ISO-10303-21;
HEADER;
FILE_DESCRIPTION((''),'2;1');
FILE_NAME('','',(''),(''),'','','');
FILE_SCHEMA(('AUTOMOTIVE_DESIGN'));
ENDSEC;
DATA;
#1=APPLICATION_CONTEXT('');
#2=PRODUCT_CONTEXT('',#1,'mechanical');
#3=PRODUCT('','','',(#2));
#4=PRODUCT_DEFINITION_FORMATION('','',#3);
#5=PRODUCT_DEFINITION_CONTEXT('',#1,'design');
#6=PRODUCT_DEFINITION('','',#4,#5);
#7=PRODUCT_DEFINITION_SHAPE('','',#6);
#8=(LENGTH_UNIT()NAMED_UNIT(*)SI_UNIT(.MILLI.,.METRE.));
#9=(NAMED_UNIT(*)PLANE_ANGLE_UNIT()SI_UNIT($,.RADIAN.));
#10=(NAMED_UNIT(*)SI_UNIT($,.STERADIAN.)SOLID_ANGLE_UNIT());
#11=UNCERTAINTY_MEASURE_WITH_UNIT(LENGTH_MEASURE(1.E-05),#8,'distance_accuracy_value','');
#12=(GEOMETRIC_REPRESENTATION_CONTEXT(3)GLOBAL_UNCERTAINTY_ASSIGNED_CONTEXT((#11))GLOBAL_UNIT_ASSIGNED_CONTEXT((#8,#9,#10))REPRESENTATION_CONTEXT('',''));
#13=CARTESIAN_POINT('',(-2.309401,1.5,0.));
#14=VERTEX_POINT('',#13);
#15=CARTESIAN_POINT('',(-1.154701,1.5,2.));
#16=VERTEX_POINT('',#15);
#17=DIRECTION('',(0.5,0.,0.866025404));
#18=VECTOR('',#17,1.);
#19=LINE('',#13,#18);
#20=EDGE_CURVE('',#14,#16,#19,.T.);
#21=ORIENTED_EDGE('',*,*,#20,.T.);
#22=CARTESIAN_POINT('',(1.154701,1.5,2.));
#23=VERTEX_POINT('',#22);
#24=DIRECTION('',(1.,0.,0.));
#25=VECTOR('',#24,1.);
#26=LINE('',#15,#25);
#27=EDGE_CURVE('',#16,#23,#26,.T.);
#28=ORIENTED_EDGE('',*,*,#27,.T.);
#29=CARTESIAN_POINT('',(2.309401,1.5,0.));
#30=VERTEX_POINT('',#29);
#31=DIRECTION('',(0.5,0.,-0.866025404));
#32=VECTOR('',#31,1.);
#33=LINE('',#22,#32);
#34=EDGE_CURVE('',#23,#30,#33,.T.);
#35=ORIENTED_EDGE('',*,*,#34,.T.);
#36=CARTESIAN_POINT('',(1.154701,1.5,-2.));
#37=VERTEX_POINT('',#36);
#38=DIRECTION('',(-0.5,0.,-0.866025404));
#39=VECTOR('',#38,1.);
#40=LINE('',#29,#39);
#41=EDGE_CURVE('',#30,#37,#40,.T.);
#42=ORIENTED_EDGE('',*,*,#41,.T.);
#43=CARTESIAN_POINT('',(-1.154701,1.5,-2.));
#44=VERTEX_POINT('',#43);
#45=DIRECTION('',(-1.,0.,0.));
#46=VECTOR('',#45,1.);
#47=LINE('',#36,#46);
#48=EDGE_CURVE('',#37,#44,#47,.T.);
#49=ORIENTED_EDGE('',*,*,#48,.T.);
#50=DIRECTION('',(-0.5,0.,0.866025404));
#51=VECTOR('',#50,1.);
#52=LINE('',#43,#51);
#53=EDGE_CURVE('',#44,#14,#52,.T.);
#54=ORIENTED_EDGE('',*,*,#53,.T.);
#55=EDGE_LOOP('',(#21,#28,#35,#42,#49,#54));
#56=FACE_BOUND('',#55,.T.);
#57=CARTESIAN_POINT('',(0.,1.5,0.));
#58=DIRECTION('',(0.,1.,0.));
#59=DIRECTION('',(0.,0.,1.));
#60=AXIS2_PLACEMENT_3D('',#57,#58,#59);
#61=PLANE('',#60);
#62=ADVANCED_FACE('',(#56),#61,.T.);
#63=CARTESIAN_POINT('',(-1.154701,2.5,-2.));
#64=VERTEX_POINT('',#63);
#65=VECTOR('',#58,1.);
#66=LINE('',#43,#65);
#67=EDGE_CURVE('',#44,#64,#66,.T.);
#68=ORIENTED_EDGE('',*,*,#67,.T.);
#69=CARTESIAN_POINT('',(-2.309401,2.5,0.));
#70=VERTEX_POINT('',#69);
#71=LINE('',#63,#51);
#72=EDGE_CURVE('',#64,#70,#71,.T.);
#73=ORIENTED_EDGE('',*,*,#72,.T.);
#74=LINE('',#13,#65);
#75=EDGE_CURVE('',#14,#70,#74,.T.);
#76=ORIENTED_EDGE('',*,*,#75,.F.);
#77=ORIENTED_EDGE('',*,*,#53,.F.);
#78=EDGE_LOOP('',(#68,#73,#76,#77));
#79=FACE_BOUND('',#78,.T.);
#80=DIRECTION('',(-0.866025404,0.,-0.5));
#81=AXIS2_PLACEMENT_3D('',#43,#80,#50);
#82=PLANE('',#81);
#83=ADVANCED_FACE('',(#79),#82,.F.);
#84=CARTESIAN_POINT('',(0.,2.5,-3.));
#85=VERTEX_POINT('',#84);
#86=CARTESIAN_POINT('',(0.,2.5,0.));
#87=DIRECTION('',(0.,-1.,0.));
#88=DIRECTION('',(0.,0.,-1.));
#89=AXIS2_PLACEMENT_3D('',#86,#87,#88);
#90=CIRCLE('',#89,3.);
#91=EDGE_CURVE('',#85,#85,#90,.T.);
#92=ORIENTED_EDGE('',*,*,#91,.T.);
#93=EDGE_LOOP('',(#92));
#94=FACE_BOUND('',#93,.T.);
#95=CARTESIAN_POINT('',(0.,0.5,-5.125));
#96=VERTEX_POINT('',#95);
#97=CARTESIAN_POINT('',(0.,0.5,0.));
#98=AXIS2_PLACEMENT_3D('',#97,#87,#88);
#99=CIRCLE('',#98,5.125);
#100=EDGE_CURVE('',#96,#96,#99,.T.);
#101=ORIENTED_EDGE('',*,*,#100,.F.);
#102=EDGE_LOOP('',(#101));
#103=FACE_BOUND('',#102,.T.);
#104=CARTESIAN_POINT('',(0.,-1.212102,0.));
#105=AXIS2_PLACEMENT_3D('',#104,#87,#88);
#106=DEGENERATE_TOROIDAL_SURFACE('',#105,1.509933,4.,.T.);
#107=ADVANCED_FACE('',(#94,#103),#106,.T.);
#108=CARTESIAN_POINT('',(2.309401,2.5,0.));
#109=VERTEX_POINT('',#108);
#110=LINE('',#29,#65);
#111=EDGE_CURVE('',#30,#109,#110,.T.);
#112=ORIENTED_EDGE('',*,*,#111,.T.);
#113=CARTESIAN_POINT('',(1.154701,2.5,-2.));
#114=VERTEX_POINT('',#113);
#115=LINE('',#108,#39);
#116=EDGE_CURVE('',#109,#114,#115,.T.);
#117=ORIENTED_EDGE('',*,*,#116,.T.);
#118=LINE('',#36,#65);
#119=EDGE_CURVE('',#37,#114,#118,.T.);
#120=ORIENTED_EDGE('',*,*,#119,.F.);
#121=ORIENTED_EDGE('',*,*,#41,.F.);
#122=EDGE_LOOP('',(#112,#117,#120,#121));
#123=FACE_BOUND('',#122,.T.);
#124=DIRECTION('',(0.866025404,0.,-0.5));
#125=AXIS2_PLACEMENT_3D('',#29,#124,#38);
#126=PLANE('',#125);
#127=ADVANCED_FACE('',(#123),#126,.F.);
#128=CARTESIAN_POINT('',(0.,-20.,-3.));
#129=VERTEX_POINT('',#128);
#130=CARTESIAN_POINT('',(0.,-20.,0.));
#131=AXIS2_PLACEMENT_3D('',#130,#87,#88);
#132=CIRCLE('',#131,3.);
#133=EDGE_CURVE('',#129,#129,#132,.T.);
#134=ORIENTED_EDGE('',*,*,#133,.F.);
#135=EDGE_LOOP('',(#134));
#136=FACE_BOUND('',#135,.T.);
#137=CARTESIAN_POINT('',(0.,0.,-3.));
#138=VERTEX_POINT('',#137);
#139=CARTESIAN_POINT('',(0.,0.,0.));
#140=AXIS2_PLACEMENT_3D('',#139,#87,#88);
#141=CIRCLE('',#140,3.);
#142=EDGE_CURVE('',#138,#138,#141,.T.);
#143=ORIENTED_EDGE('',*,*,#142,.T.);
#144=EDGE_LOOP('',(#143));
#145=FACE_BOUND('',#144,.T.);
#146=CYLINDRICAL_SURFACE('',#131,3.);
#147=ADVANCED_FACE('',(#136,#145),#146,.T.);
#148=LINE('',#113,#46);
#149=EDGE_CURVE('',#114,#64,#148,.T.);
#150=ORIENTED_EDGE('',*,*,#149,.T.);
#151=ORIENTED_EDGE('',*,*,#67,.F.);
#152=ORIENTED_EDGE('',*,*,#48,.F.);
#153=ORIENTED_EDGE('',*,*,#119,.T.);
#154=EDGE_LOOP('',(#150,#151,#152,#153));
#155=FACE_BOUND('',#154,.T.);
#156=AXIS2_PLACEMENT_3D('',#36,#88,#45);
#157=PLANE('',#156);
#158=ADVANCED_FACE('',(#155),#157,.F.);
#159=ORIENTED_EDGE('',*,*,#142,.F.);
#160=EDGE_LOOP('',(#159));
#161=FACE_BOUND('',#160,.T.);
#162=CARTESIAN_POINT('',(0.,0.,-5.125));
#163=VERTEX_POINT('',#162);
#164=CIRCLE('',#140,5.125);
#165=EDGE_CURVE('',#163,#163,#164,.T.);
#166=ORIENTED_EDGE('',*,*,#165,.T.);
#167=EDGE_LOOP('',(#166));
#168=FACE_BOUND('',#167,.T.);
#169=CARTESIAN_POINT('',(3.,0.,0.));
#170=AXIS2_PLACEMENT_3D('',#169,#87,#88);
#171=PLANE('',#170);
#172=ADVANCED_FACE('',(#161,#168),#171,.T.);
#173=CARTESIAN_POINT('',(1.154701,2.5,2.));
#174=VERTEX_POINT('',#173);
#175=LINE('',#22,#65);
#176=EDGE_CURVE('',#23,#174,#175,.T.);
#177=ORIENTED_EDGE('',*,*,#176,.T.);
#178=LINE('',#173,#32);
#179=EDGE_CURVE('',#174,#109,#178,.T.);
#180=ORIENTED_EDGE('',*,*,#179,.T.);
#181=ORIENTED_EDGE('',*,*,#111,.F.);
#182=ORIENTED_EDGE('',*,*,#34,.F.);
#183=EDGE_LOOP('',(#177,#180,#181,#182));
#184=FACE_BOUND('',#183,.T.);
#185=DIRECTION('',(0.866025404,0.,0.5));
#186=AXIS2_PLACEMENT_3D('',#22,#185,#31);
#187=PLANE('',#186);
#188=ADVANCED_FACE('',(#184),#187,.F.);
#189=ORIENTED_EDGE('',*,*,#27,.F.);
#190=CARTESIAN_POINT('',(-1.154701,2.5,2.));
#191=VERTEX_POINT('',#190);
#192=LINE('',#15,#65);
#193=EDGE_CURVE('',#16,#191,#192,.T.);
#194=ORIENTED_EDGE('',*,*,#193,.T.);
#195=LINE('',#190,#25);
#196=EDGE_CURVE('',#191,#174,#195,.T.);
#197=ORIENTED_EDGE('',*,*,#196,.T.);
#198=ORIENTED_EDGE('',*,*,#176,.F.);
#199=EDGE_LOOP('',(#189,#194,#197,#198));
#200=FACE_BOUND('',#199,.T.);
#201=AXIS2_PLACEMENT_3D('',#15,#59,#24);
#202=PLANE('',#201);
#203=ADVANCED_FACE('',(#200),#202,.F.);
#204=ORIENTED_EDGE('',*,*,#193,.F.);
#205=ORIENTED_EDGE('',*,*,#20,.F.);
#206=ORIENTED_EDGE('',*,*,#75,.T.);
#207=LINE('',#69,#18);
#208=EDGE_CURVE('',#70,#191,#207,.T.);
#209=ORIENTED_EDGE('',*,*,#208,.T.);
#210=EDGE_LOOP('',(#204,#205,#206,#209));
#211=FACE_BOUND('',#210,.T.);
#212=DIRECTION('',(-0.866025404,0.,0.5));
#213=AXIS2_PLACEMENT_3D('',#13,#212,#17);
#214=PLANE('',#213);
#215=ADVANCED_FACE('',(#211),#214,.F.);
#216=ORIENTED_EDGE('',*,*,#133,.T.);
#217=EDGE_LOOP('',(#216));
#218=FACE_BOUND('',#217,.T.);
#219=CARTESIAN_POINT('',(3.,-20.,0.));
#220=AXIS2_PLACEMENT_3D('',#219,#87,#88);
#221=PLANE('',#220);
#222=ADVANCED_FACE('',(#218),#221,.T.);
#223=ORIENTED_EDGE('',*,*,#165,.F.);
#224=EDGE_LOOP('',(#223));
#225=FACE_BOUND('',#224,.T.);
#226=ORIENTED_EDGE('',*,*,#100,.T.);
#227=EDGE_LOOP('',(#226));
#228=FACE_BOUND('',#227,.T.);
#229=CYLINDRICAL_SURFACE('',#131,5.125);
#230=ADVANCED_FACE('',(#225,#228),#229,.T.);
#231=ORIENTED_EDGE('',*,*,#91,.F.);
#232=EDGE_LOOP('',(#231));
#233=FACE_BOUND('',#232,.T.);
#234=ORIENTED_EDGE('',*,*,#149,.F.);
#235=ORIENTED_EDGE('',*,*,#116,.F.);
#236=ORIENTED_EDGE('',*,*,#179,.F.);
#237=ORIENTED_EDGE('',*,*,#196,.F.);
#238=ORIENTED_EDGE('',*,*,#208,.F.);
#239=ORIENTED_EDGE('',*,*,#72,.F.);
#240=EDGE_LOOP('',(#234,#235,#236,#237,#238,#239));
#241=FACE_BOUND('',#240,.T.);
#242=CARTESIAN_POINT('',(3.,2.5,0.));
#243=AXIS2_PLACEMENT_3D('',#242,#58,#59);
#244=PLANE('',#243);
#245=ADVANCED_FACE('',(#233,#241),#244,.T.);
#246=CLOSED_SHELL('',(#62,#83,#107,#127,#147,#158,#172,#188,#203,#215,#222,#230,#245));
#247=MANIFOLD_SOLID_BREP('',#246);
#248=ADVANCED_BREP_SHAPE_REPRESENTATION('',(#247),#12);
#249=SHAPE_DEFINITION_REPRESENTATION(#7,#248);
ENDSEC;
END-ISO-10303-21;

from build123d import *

# Parameters (mm, degrees)
CUT_EXTRUDE1_DEPTH = 1


with BuildPart() as part:
    # Sketch1 → Revolve1 (revolve)
    with BuildSketch(Plane.XY):
        with BuildLine():
            Line((3, 0), (5.125, 0))
            Line((5.125, 0), (5.125, 0.5))
            ThreePointArc((5.125, 0.5), (4.25139218, 1.700697941), (3, 2.5))
            Line((3, 2.5), (0, 2.5))
            Line((0, 2.5), (0, -20))
            Line((0, -20), (3, -20))
            Line((3, -20), (3, 0))
        make_face()
    revolve(axis=Axis((0, -20, 0), (0, 1, 0)))

    # Sketch2 → Cut-Extrude1 (cut)
    with BuildSketch(Plane(origin=(0, 2.5, 0), x_dir=(1, 0, 0), z_dir=(0, 1, 0))):
        Polygon((1.154700538, 2), (-1.154700538, 2), (-2.309401077, 0), (-1.154700538, -2), (1.154700538, -2), (2.309401077, 0), align=None)
    extrude(amount=-CUT_EXTRUDE1_DEPTH, mode=Mode.SUBTRACT)


solid = part.part
